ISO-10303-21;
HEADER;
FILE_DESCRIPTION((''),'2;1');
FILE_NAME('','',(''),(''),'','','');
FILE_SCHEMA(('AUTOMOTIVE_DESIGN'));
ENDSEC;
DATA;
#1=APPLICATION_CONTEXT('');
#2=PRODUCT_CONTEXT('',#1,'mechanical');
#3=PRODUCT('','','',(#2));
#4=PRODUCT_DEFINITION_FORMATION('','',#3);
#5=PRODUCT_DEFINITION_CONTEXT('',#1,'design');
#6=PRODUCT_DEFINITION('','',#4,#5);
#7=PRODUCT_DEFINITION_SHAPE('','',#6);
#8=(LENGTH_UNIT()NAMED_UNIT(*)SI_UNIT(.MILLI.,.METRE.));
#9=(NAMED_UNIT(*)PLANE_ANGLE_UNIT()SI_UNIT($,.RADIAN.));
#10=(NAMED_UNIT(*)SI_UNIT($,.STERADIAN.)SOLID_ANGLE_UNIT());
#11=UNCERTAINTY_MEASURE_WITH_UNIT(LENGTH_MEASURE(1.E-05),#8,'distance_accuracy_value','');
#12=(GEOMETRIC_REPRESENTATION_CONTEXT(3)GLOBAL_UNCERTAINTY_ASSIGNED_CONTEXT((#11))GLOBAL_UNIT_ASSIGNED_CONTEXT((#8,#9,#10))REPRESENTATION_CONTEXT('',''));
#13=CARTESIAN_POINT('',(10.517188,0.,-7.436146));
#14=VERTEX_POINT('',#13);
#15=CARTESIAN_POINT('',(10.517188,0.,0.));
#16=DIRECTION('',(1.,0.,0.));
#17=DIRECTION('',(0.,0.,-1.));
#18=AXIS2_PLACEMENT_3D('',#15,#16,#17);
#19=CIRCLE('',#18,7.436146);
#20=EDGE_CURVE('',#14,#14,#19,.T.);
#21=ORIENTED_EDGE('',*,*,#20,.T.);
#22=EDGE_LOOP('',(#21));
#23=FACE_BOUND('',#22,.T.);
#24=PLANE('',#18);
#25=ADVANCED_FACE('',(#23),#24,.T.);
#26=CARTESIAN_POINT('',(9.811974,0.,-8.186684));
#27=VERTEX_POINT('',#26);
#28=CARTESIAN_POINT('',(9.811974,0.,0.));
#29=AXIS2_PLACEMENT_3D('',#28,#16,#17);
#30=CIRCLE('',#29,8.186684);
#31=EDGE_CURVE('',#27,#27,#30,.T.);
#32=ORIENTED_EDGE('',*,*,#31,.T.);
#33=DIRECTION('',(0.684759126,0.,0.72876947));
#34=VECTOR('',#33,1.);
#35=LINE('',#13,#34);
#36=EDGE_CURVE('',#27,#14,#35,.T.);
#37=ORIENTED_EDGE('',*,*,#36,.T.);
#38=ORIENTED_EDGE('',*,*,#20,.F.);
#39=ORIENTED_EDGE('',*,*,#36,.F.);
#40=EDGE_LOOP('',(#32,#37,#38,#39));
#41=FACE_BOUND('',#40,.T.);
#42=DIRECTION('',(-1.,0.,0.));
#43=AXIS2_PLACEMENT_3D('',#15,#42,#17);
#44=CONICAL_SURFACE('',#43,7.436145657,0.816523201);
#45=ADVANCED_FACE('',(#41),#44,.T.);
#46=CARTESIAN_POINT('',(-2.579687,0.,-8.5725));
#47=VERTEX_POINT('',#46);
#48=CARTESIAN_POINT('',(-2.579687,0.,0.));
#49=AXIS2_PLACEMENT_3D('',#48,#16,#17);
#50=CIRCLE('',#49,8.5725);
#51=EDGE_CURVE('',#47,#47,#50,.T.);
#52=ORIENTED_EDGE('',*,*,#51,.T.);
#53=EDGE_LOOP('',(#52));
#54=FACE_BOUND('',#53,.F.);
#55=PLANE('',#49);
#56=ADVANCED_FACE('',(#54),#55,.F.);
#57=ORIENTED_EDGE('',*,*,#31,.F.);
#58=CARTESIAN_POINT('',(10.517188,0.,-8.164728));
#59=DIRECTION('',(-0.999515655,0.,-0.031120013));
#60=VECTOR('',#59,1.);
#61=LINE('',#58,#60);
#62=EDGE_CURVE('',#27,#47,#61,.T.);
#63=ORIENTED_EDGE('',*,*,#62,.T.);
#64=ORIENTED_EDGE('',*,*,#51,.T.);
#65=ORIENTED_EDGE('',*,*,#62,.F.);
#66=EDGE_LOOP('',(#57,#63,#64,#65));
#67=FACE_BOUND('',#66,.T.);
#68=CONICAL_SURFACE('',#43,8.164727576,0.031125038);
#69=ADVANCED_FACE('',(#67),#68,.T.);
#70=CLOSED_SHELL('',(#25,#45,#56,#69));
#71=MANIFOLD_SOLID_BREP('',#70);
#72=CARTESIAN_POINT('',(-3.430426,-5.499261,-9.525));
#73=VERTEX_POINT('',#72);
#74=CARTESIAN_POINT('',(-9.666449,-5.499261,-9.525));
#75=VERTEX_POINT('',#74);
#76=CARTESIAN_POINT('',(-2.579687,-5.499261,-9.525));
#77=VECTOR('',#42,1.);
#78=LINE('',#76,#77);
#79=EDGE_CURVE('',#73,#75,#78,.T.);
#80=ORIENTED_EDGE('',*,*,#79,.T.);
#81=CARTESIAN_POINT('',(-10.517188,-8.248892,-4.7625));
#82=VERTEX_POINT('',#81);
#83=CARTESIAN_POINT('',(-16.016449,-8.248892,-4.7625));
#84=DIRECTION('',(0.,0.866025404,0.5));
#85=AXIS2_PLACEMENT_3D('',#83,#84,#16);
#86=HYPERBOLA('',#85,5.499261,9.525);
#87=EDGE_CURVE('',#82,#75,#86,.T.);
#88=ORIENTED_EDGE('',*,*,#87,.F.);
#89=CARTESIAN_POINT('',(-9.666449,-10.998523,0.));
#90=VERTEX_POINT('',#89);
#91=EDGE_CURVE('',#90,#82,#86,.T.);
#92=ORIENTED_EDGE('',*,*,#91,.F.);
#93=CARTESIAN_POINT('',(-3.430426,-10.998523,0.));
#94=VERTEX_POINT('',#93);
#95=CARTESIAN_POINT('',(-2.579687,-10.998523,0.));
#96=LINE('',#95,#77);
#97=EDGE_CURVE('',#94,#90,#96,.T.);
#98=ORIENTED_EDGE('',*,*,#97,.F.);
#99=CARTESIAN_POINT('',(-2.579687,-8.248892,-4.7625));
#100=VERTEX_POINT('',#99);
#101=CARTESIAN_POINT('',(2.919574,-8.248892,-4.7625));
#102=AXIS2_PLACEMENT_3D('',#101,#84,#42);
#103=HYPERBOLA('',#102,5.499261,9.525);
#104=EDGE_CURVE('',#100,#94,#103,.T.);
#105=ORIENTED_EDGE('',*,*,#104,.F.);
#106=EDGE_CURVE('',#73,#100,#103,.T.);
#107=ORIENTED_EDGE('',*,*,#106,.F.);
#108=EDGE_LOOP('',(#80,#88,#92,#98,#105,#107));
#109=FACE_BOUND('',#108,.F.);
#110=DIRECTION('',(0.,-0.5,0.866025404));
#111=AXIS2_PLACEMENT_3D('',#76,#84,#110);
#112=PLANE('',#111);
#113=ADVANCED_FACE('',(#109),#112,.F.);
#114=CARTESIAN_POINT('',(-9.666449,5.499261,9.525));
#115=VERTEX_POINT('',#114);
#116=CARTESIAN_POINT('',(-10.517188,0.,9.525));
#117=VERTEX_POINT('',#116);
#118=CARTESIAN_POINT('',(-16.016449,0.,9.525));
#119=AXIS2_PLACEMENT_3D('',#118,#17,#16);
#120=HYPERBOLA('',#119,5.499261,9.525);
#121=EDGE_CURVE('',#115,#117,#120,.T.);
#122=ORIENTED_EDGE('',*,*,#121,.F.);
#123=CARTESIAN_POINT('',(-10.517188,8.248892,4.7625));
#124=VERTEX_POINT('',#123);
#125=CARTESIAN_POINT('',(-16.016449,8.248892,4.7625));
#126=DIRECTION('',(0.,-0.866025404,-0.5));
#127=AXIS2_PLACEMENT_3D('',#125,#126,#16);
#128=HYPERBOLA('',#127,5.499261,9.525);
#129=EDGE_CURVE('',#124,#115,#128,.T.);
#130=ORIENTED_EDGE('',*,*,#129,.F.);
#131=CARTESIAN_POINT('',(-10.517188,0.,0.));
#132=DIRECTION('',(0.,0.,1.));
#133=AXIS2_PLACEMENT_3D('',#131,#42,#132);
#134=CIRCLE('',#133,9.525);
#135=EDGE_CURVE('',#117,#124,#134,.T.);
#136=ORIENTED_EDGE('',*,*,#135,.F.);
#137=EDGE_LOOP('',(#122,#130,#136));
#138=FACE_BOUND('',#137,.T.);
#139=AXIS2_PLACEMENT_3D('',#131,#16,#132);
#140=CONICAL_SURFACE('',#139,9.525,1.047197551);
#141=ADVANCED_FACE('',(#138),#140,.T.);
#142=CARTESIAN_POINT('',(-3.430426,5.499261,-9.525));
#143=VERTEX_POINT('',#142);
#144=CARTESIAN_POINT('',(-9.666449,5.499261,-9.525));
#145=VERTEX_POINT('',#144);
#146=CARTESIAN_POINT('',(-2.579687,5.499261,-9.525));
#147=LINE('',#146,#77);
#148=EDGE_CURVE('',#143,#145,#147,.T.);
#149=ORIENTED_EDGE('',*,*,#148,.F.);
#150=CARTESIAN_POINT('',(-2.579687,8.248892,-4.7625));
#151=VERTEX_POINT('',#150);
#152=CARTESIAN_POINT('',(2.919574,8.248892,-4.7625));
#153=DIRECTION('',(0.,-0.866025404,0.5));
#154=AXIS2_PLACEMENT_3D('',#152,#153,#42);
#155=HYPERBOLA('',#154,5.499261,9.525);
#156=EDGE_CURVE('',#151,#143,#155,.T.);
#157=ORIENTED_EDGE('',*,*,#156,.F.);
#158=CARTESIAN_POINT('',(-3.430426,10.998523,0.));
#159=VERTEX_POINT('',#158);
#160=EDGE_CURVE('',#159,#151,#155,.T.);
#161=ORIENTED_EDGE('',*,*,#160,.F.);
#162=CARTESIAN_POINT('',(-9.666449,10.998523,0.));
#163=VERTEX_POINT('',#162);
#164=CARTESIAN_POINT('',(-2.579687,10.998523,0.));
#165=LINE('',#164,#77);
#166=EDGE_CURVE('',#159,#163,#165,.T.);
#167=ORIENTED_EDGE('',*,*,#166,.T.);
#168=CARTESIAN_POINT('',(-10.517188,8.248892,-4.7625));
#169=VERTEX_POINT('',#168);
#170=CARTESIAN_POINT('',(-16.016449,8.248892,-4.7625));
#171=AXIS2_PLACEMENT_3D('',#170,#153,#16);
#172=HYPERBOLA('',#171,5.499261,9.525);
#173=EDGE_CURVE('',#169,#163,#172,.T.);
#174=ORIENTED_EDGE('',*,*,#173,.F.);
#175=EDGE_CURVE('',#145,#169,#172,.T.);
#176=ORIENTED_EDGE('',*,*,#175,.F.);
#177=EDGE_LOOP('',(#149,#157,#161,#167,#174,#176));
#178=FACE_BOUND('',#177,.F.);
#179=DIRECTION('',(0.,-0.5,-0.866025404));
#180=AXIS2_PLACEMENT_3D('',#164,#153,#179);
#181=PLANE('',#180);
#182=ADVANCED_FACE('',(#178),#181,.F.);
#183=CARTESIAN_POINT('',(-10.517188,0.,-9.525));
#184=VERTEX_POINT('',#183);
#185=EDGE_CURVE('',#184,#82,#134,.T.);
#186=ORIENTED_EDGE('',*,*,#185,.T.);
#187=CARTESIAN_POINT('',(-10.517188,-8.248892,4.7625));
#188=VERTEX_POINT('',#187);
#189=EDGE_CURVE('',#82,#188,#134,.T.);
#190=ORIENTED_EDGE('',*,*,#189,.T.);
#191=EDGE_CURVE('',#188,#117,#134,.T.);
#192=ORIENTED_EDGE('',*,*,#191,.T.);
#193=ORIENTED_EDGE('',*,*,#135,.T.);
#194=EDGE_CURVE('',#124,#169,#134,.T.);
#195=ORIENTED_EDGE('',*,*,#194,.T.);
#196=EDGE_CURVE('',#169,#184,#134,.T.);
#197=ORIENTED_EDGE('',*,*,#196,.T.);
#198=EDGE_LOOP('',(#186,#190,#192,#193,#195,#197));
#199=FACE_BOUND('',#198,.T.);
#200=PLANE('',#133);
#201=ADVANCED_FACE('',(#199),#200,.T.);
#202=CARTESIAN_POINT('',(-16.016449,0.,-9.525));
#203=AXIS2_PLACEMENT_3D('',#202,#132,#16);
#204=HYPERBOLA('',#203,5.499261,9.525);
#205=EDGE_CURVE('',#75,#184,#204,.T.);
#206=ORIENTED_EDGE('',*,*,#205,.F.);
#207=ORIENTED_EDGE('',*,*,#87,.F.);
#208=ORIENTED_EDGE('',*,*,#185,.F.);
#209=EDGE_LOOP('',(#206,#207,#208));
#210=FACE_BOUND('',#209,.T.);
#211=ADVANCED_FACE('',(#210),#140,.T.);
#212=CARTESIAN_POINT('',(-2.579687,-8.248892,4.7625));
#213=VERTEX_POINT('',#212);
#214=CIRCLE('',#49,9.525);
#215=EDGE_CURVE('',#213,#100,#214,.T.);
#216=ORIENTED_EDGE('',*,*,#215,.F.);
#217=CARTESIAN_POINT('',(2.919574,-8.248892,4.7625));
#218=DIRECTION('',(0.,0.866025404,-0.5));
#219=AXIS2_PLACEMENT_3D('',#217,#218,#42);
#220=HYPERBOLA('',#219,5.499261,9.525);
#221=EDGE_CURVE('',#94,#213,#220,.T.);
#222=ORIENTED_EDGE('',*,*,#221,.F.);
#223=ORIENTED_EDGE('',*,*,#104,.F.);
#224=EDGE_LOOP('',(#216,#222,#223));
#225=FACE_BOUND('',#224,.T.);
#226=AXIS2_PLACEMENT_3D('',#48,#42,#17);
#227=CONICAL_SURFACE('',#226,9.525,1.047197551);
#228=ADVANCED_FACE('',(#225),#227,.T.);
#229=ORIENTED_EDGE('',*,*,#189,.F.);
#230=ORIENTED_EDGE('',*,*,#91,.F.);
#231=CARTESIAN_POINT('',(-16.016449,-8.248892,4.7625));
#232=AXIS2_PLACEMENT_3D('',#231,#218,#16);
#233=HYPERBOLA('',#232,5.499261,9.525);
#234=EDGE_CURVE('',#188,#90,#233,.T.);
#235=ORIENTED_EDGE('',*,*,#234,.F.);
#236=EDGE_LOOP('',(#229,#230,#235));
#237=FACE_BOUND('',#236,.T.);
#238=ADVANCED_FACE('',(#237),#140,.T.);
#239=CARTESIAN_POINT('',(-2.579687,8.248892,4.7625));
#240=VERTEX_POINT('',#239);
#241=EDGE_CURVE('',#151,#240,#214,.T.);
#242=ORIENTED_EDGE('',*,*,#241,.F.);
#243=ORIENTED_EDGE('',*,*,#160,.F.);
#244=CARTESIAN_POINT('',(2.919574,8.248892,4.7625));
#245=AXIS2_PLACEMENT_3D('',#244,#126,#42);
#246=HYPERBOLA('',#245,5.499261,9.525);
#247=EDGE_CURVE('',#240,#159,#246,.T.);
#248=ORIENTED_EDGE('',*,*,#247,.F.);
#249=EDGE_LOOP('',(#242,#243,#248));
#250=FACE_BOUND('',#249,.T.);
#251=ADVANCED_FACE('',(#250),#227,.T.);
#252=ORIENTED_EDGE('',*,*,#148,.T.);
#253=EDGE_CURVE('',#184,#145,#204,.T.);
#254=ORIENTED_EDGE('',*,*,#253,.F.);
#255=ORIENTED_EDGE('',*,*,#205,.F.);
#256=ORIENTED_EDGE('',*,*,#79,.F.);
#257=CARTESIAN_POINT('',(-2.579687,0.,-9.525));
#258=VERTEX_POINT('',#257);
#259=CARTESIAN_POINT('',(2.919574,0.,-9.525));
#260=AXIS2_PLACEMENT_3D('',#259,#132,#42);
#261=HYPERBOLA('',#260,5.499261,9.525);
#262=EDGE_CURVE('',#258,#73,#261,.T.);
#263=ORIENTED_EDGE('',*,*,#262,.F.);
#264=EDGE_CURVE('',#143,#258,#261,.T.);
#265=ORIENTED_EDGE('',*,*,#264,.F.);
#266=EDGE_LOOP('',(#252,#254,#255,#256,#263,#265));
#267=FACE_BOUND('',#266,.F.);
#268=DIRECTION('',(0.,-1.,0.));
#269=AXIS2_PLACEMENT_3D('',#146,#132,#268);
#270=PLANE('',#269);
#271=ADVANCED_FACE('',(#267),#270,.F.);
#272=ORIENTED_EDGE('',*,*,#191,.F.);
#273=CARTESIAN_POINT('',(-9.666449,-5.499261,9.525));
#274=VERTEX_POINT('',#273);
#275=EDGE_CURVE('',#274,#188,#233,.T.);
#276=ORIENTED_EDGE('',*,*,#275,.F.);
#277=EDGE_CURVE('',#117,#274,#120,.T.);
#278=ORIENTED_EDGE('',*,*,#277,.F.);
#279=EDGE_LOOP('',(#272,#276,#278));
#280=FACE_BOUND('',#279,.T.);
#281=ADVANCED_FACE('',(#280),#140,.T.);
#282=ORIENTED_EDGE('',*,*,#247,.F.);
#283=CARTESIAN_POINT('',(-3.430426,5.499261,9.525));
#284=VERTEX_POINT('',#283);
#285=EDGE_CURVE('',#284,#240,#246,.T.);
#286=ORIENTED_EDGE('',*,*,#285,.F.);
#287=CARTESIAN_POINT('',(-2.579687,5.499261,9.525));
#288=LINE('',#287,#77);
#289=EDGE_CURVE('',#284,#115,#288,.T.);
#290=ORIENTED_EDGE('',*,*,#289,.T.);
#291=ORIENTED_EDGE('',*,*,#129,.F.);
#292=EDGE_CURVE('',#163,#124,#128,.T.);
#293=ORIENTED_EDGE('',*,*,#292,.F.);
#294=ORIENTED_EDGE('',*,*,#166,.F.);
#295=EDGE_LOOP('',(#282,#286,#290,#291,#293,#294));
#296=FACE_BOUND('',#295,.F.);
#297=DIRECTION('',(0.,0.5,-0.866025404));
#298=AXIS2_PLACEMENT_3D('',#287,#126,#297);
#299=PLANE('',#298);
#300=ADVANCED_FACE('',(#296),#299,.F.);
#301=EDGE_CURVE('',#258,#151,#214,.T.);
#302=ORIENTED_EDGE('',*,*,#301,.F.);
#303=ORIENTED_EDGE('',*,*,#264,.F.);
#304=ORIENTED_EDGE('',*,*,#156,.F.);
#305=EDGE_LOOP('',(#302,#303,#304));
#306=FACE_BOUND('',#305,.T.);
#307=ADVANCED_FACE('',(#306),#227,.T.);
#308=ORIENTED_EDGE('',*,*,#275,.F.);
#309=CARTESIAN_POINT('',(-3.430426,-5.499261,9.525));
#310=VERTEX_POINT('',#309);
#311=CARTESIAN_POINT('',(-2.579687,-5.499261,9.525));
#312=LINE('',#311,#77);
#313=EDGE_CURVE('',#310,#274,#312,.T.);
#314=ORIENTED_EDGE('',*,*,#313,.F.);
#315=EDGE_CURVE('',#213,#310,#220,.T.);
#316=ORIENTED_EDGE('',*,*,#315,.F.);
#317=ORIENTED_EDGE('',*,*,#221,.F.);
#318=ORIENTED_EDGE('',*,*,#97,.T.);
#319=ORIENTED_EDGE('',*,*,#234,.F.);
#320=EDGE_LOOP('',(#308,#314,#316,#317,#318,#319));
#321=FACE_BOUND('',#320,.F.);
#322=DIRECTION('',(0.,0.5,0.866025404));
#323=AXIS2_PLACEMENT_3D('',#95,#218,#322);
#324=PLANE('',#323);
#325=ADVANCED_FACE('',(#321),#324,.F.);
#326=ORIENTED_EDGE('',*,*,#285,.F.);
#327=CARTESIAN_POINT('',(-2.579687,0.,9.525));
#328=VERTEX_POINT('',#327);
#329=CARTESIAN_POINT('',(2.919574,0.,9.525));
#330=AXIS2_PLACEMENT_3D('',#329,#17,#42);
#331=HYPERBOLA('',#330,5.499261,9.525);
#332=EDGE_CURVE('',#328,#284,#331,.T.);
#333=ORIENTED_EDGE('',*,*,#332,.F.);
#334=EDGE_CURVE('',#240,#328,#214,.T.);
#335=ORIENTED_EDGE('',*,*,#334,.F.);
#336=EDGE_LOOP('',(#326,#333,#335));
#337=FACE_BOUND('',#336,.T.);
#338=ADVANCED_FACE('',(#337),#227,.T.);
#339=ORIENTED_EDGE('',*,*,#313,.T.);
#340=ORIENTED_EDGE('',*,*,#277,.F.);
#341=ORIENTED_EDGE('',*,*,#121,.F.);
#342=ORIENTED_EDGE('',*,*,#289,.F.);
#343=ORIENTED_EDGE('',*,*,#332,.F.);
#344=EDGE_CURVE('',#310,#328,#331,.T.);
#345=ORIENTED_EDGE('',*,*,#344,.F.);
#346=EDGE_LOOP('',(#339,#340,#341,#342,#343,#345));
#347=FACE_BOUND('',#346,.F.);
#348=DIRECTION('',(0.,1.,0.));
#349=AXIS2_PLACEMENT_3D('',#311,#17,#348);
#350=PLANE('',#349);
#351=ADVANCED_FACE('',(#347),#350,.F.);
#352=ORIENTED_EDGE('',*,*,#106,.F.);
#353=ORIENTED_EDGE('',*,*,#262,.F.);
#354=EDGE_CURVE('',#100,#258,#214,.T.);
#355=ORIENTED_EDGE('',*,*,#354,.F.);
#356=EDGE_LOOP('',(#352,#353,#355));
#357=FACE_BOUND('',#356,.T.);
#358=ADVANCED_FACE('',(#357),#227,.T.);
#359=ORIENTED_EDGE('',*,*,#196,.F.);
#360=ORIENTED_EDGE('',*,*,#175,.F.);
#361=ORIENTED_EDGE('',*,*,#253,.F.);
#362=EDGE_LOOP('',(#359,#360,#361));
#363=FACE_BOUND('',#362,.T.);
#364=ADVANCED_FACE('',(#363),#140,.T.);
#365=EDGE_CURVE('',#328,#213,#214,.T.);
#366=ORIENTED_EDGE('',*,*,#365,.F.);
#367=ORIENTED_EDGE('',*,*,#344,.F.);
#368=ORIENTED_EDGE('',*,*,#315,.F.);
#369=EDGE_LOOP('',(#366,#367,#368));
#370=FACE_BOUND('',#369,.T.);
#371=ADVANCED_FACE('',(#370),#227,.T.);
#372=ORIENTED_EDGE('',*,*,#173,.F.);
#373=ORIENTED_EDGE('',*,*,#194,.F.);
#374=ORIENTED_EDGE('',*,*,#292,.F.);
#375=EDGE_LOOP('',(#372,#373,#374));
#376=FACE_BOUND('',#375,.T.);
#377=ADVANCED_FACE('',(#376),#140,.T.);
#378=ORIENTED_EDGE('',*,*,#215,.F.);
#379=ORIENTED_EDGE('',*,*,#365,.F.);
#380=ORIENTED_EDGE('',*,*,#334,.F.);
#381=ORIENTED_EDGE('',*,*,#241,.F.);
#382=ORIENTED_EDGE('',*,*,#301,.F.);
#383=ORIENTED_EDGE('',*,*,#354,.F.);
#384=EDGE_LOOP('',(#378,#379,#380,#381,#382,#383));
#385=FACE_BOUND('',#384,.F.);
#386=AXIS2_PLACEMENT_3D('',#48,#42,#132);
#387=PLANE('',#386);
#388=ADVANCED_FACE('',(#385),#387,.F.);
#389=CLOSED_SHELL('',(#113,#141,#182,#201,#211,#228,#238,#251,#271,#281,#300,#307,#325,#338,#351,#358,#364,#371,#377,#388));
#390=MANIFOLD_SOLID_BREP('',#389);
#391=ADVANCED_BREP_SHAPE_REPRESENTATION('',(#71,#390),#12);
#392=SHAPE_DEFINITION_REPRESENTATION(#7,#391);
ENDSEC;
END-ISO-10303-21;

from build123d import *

# Parameters (mm, degrees)
SKETCH2_R          = 8.164727576
EXTRUDE1_DEPTH     = 13.096875
EXTRUDE1_DRAFT     = 1.783333333
EXTRUDE2_DEPTH     = 7.9375
SKETCH7_OUTSIDE_W  = 120.294
SKETCH7_OUTSIDE_H  = 123.242
SKETCH7_OUTSIDE_R  = 9.525
CUT_EXTRUDE1_DEPTH = 26.576122784
CUT_EXTRUDE1_DRAFT = -60
SKETCH8_OUTSIDE_W  = 99.508
SKETCH8_OUTSIDE_H  = 102.456
SKETCH8_OUTSIDE_R  = 9.525
CUT_EXTRUDE2_DEPTH = 20.576037898
CUT_EXTRUDE2_DRAFT = -60
CHAMFER1_SIZE      = 0.705555556
CHAMFER1_SIZE2     = 0.728581919


with BuildPart() as part:
    # Sketch2 → Extrude1 (with draft: the straight prism first)
    with BuildSketch(Plane(origin=(10.5171875, 0, 0), x_dir=(0, 0, -1), z_dir=(1, 0, 0))):
        Circle(SKETCH2_R)
    extrude(amount=-EXTRUDE1_DEPTH)
    # Extrude1: the draft: its side faces are tilted about the plane it starts from
    extrude1_sides = [part.faces().sort_by_distance(p)[0] for p in [
        (3.96875, 0, 8.164727576),
    ]]
    draft(extrude1_sides, Plane(origin=(10.5171875, 0, 0), x_dir=(0, 0, -1), z_dir=(1, 0, 0)), EXTRUDE1_DRAFT)

    # Chamfer1
    chamfer1_edges = [part.edges().sort_by_distance(p)[0] for p in [
        (10.5171875, 0, 8.164727576),
    ]]
    chamfer1_side = [part.faces().sort_by_distance(p)[0] for p in [
        (3.96875, 0, 8.368613788),
    ]]
    chamfer(chamfer1_edges, length=CHAMFER1_SIZE, length2=CHAMFER1_SIZE2, reference=chamfer1_side[0])


with BuildPart() as body_2:
    # Sketch6 → Extrude2 (new body)
    with BuildSketch(Plane.ZY.offset(2.5796875)):
        Polygon((0, 10.998522628), (-9.525, 5.499261314), (-9.525, -5.499261314), (0, -10.998522628), (9.525, -5.499261314), (9.525, 5.499261314), align=None)
    extrude(amount=EXTRUDE2_DEPTH)


with BuildPart() as cut_extrude1_tool:
    # Sketch7 outside → Cut-Extrude1 (with draft: the straight prism first)
    with BuildSketch(Plane.ZY.offset(10.5171875)):
        Rectangle(SKETCH7_OUTSIDE_W, SKETCH7_OUTSIDE_H)
        Circle(SKETCH7_OUTSIDE_R, mode=Mode.SUBTRACT)
    extrude(amount=-CUT_EXTRUDE1_DEPTH)
    # Cut-Extrude1: the draft: its side faces are tilted about the plane it starts from
    cut_extrude1_sides = [cut_extrude1_tool.faces().sort_by_distance(p)[0] for p in [
        (2.770873892, -61.621, 0),
        (2.770873892, 0, 60.147),
        (2.770873892, 61.621, 0),
        (2.770873892, 0, -60.147),
        (2.770873892, 0, -9.525),
    ]]
    draft(cut_extrude1_sides, Plane.ZY.offset(10.5171875), CUT_EXTRUDE1_DRAFT)


with BuildPart() as body_2_1:
    add(body_2.part)

    # Cut-Extrude1: cut by cut_extrude1_tool
    add(cut_extrude1_tool.part, mode=Mode.SUBTRACT)


with BuildPart() as cut_extrude2_tool:
    # Sketch8 outside → Cut-Extrude2 (with draft: the straight prism first)
    with BuildSketch(Plane(origin=(-2.5796875, 0, 0), x_dir=(0, 0, -1), z_dir=(1, 0, 0))):
        Rectangle(SKETCH8_OUTSIDE_W, SKETCH8_OUTSIDE_H)
        Circle(SKETCH8_OUTSIDE_R, mode=Mode.SUBTRACT)
    extrude(amount=-CUT_EXTRUDE2_DEPTH)
    # Cut-Extrude2: the draft: its side faces are tilted about the plane it starts from
    cut_extrude2_sides = [cut_extrude2_tool.faces().sort_by_distance(p)[0] for p in [
        (-12.867706449, -51.228, 0),
        (-12.867706449, 0, -49.754),
        (-12.867706449, 51.228, 0),
        (-12.867706449, 0, 49.754),
        (-12.867706449, 0, 9.525),
    ]]
    draft(cut_extrude2_sides, Plane(origin=(-2.5796875, 0, 0), x_dir=(0, 0, -1), z_dir=(1, 0, 0)), CUT_EXTRUDE2_DRAFT)


with BuildPart() as body_2_2:
    add(body_2_1.part)

    # Cut-Extrude2: cut by cut_extrude2_tool
    add(cut_extrude2_tool.part, mode=Mode.SUBTRACT)


solid = Compound([part.part, body_2_2.part])
